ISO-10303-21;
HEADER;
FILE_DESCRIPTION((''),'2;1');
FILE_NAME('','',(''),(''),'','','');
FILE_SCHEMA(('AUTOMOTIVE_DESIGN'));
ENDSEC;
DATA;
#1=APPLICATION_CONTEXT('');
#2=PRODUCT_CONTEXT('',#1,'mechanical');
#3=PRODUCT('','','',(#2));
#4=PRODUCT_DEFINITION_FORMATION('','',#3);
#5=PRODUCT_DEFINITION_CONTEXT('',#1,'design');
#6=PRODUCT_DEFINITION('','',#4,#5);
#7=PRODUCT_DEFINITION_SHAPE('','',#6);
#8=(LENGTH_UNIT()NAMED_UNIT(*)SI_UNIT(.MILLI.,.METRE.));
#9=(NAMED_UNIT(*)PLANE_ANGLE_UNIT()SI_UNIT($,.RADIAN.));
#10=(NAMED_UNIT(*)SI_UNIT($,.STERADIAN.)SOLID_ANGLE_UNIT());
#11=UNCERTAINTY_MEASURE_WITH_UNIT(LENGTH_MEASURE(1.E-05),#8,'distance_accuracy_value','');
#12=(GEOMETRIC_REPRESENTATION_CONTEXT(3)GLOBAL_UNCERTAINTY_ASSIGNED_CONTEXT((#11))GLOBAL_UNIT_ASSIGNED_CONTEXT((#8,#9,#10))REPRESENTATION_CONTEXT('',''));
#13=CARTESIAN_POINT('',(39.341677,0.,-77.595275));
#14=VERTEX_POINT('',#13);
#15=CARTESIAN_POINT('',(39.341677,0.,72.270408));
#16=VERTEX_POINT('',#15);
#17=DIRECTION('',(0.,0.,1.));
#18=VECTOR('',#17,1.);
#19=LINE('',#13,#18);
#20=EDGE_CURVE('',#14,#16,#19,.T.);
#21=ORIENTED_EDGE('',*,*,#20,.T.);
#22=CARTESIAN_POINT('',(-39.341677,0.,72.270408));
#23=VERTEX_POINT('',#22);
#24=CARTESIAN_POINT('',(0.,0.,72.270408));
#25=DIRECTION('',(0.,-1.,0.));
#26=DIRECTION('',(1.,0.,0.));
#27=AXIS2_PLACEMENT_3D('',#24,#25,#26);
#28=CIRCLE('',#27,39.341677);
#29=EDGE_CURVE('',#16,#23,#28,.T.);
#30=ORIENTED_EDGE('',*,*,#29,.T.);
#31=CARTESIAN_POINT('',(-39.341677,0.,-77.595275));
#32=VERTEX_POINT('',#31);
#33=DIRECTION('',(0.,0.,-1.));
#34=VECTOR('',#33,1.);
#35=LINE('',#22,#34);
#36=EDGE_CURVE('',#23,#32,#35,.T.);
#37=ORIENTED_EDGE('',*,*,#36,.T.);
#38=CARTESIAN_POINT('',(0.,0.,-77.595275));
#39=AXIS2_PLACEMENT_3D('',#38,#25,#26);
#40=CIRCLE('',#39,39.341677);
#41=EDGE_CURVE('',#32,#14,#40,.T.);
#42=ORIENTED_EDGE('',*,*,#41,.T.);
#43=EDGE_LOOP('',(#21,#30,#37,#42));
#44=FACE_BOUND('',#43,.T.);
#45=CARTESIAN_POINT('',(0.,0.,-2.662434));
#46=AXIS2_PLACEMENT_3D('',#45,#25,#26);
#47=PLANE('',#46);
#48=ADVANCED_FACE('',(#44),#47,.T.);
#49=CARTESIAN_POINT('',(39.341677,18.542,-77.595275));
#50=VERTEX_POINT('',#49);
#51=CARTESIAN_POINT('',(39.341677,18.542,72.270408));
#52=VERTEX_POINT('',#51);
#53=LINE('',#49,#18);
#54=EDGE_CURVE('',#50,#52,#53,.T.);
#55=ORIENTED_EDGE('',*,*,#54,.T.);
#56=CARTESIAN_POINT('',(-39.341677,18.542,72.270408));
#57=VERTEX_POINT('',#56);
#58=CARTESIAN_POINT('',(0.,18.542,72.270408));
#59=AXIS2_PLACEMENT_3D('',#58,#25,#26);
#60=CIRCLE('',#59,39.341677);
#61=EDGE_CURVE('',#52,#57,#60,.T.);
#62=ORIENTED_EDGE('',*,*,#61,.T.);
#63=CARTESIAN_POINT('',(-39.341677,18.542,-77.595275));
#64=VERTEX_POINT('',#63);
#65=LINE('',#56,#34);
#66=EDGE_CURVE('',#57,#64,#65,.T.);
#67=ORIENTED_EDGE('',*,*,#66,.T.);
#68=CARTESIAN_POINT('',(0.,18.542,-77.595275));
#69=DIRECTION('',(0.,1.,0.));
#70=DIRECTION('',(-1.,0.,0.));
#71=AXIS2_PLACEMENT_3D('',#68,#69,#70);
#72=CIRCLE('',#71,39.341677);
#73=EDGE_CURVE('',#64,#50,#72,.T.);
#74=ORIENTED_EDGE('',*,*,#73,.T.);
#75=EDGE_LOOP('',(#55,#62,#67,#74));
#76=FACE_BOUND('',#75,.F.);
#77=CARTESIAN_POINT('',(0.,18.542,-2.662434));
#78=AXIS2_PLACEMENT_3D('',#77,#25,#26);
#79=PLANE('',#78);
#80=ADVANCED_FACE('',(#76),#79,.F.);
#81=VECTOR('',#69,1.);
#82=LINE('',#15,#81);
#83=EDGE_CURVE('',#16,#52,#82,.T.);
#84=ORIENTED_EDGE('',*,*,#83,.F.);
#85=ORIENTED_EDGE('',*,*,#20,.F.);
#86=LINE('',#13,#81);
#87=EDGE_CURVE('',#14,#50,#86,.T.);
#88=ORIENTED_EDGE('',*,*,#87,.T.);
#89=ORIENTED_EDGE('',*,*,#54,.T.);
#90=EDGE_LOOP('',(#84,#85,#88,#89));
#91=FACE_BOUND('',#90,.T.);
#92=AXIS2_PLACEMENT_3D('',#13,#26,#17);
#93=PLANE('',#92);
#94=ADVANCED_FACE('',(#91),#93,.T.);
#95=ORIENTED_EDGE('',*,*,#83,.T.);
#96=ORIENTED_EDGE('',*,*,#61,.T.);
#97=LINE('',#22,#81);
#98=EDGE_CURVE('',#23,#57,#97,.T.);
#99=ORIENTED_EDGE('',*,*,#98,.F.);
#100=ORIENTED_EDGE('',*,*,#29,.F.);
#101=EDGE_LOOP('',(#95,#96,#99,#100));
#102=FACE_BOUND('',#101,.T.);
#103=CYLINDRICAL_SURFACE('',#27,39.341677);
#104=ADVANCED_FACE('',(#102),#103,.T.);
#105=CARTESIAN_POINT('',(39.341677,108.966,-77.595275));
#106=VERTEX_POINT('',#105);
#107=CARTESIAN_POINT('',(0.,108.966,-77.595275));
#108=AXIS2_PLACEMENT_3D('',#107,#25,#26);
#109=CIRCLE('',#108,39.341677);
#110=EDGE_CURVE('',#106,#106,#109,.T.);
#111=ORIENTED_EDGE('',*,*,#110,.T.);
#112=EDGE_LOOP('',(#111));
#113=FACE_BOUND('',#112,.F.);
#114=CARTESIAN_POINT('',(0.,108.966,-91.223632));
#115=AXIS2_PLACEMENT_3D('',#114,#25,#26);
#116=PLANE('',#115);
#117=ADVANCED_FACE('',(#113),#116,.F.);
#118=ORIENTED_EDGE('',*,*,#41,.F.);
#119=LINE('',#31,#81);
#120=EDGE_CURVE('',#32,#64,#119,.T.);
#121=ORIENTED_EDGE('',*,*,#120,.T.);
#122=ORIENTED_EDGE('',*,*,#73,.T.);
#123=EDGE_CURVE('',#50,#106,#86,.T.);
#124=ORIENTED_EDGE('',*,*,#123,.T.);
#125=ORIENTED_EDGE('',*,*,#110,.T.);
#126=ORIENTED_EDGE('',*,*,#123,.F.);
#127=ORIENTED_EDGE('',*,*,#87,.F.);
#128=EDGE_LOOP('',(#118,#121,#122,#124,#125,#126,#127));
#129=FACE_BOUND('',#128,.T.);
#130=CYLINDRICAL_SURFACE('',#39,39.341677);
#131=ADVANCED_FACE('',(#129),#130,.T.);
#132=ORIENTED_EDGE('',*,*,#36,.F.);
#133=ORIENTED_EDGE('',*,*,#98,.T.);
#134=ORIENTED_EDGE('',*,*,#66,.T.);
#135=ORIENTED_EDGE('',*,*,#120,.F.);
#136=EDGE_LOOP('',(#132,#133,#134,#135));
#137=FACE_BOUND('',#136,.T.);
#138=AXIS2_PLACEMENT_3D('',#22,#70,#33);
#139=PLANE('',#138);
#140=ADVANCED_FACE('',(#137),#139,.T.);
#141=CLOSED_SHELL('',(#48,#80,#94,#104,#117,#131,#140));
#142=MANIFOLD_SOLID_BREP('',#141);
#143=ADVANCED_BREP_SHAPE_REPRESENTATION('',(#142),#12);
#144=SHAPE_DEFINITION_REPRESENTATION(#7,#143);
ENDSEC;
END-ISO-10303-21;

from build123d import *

# Parameters (mm, degrees)
F1_DEPTH = 108.966
F2_DEPTH = 18.542


with BuildPart() as f1:
    # F0 (on Front) → F1 (new body)
    with BuildSketch(Plane.XZ):
        with BuildLine():
            ThreePointArc((-39.341677, -77.595275), (0, -116.936952), (39.341677, -77.595275))
            Line((39.341677, -77.595275), (-39.341677, -77.595275))
        make_face()
        with BuildLine():
            Line((-39.341677, -77.595275), (39.341677, -77.595275))
            ThreePointArc((39.341677, -77.595275), (0, -38.253598), (-39.341677, -77.595275))
        make_face()
    extrude(amount=-F1_DEPTH)

    # F0 (on Front) → F2 (join)
    with BuildSketch(Plane.XZ):
        with BuildLine():
            Line((39.341677, -77.595275), (39.341677, 72.270408))
            ThreePointArc((39.341677, 72.270408), (0, 32.928731), (-39.341677, 72.270408))
            Line((-39.341677, 72.270408), (-39.341677, -77.595275))
            ThreePointArc((-39.341677, -77.595275), (0, -38.253598), (39.341677, -77.595275))
        make_face()
        with BuildLine():
            ThreePointArc((-39.341677, 72.270408), (0, 32.928731), (39.341677, 72.270408))
            Line((39.341677, 72.270408), (-39.341677, 72.270408))
        make_face()
        with BuildLine():
            Line((-39.341677, 72.270408), (39.341677, 72.270408))
            ThreePointArc((39.341677, 72.270408), (0, 111.612085), (-39.341677, 72.270408))
        make_face()
    extrude(amount=-F2_DEPTH)


solid = f1.part
